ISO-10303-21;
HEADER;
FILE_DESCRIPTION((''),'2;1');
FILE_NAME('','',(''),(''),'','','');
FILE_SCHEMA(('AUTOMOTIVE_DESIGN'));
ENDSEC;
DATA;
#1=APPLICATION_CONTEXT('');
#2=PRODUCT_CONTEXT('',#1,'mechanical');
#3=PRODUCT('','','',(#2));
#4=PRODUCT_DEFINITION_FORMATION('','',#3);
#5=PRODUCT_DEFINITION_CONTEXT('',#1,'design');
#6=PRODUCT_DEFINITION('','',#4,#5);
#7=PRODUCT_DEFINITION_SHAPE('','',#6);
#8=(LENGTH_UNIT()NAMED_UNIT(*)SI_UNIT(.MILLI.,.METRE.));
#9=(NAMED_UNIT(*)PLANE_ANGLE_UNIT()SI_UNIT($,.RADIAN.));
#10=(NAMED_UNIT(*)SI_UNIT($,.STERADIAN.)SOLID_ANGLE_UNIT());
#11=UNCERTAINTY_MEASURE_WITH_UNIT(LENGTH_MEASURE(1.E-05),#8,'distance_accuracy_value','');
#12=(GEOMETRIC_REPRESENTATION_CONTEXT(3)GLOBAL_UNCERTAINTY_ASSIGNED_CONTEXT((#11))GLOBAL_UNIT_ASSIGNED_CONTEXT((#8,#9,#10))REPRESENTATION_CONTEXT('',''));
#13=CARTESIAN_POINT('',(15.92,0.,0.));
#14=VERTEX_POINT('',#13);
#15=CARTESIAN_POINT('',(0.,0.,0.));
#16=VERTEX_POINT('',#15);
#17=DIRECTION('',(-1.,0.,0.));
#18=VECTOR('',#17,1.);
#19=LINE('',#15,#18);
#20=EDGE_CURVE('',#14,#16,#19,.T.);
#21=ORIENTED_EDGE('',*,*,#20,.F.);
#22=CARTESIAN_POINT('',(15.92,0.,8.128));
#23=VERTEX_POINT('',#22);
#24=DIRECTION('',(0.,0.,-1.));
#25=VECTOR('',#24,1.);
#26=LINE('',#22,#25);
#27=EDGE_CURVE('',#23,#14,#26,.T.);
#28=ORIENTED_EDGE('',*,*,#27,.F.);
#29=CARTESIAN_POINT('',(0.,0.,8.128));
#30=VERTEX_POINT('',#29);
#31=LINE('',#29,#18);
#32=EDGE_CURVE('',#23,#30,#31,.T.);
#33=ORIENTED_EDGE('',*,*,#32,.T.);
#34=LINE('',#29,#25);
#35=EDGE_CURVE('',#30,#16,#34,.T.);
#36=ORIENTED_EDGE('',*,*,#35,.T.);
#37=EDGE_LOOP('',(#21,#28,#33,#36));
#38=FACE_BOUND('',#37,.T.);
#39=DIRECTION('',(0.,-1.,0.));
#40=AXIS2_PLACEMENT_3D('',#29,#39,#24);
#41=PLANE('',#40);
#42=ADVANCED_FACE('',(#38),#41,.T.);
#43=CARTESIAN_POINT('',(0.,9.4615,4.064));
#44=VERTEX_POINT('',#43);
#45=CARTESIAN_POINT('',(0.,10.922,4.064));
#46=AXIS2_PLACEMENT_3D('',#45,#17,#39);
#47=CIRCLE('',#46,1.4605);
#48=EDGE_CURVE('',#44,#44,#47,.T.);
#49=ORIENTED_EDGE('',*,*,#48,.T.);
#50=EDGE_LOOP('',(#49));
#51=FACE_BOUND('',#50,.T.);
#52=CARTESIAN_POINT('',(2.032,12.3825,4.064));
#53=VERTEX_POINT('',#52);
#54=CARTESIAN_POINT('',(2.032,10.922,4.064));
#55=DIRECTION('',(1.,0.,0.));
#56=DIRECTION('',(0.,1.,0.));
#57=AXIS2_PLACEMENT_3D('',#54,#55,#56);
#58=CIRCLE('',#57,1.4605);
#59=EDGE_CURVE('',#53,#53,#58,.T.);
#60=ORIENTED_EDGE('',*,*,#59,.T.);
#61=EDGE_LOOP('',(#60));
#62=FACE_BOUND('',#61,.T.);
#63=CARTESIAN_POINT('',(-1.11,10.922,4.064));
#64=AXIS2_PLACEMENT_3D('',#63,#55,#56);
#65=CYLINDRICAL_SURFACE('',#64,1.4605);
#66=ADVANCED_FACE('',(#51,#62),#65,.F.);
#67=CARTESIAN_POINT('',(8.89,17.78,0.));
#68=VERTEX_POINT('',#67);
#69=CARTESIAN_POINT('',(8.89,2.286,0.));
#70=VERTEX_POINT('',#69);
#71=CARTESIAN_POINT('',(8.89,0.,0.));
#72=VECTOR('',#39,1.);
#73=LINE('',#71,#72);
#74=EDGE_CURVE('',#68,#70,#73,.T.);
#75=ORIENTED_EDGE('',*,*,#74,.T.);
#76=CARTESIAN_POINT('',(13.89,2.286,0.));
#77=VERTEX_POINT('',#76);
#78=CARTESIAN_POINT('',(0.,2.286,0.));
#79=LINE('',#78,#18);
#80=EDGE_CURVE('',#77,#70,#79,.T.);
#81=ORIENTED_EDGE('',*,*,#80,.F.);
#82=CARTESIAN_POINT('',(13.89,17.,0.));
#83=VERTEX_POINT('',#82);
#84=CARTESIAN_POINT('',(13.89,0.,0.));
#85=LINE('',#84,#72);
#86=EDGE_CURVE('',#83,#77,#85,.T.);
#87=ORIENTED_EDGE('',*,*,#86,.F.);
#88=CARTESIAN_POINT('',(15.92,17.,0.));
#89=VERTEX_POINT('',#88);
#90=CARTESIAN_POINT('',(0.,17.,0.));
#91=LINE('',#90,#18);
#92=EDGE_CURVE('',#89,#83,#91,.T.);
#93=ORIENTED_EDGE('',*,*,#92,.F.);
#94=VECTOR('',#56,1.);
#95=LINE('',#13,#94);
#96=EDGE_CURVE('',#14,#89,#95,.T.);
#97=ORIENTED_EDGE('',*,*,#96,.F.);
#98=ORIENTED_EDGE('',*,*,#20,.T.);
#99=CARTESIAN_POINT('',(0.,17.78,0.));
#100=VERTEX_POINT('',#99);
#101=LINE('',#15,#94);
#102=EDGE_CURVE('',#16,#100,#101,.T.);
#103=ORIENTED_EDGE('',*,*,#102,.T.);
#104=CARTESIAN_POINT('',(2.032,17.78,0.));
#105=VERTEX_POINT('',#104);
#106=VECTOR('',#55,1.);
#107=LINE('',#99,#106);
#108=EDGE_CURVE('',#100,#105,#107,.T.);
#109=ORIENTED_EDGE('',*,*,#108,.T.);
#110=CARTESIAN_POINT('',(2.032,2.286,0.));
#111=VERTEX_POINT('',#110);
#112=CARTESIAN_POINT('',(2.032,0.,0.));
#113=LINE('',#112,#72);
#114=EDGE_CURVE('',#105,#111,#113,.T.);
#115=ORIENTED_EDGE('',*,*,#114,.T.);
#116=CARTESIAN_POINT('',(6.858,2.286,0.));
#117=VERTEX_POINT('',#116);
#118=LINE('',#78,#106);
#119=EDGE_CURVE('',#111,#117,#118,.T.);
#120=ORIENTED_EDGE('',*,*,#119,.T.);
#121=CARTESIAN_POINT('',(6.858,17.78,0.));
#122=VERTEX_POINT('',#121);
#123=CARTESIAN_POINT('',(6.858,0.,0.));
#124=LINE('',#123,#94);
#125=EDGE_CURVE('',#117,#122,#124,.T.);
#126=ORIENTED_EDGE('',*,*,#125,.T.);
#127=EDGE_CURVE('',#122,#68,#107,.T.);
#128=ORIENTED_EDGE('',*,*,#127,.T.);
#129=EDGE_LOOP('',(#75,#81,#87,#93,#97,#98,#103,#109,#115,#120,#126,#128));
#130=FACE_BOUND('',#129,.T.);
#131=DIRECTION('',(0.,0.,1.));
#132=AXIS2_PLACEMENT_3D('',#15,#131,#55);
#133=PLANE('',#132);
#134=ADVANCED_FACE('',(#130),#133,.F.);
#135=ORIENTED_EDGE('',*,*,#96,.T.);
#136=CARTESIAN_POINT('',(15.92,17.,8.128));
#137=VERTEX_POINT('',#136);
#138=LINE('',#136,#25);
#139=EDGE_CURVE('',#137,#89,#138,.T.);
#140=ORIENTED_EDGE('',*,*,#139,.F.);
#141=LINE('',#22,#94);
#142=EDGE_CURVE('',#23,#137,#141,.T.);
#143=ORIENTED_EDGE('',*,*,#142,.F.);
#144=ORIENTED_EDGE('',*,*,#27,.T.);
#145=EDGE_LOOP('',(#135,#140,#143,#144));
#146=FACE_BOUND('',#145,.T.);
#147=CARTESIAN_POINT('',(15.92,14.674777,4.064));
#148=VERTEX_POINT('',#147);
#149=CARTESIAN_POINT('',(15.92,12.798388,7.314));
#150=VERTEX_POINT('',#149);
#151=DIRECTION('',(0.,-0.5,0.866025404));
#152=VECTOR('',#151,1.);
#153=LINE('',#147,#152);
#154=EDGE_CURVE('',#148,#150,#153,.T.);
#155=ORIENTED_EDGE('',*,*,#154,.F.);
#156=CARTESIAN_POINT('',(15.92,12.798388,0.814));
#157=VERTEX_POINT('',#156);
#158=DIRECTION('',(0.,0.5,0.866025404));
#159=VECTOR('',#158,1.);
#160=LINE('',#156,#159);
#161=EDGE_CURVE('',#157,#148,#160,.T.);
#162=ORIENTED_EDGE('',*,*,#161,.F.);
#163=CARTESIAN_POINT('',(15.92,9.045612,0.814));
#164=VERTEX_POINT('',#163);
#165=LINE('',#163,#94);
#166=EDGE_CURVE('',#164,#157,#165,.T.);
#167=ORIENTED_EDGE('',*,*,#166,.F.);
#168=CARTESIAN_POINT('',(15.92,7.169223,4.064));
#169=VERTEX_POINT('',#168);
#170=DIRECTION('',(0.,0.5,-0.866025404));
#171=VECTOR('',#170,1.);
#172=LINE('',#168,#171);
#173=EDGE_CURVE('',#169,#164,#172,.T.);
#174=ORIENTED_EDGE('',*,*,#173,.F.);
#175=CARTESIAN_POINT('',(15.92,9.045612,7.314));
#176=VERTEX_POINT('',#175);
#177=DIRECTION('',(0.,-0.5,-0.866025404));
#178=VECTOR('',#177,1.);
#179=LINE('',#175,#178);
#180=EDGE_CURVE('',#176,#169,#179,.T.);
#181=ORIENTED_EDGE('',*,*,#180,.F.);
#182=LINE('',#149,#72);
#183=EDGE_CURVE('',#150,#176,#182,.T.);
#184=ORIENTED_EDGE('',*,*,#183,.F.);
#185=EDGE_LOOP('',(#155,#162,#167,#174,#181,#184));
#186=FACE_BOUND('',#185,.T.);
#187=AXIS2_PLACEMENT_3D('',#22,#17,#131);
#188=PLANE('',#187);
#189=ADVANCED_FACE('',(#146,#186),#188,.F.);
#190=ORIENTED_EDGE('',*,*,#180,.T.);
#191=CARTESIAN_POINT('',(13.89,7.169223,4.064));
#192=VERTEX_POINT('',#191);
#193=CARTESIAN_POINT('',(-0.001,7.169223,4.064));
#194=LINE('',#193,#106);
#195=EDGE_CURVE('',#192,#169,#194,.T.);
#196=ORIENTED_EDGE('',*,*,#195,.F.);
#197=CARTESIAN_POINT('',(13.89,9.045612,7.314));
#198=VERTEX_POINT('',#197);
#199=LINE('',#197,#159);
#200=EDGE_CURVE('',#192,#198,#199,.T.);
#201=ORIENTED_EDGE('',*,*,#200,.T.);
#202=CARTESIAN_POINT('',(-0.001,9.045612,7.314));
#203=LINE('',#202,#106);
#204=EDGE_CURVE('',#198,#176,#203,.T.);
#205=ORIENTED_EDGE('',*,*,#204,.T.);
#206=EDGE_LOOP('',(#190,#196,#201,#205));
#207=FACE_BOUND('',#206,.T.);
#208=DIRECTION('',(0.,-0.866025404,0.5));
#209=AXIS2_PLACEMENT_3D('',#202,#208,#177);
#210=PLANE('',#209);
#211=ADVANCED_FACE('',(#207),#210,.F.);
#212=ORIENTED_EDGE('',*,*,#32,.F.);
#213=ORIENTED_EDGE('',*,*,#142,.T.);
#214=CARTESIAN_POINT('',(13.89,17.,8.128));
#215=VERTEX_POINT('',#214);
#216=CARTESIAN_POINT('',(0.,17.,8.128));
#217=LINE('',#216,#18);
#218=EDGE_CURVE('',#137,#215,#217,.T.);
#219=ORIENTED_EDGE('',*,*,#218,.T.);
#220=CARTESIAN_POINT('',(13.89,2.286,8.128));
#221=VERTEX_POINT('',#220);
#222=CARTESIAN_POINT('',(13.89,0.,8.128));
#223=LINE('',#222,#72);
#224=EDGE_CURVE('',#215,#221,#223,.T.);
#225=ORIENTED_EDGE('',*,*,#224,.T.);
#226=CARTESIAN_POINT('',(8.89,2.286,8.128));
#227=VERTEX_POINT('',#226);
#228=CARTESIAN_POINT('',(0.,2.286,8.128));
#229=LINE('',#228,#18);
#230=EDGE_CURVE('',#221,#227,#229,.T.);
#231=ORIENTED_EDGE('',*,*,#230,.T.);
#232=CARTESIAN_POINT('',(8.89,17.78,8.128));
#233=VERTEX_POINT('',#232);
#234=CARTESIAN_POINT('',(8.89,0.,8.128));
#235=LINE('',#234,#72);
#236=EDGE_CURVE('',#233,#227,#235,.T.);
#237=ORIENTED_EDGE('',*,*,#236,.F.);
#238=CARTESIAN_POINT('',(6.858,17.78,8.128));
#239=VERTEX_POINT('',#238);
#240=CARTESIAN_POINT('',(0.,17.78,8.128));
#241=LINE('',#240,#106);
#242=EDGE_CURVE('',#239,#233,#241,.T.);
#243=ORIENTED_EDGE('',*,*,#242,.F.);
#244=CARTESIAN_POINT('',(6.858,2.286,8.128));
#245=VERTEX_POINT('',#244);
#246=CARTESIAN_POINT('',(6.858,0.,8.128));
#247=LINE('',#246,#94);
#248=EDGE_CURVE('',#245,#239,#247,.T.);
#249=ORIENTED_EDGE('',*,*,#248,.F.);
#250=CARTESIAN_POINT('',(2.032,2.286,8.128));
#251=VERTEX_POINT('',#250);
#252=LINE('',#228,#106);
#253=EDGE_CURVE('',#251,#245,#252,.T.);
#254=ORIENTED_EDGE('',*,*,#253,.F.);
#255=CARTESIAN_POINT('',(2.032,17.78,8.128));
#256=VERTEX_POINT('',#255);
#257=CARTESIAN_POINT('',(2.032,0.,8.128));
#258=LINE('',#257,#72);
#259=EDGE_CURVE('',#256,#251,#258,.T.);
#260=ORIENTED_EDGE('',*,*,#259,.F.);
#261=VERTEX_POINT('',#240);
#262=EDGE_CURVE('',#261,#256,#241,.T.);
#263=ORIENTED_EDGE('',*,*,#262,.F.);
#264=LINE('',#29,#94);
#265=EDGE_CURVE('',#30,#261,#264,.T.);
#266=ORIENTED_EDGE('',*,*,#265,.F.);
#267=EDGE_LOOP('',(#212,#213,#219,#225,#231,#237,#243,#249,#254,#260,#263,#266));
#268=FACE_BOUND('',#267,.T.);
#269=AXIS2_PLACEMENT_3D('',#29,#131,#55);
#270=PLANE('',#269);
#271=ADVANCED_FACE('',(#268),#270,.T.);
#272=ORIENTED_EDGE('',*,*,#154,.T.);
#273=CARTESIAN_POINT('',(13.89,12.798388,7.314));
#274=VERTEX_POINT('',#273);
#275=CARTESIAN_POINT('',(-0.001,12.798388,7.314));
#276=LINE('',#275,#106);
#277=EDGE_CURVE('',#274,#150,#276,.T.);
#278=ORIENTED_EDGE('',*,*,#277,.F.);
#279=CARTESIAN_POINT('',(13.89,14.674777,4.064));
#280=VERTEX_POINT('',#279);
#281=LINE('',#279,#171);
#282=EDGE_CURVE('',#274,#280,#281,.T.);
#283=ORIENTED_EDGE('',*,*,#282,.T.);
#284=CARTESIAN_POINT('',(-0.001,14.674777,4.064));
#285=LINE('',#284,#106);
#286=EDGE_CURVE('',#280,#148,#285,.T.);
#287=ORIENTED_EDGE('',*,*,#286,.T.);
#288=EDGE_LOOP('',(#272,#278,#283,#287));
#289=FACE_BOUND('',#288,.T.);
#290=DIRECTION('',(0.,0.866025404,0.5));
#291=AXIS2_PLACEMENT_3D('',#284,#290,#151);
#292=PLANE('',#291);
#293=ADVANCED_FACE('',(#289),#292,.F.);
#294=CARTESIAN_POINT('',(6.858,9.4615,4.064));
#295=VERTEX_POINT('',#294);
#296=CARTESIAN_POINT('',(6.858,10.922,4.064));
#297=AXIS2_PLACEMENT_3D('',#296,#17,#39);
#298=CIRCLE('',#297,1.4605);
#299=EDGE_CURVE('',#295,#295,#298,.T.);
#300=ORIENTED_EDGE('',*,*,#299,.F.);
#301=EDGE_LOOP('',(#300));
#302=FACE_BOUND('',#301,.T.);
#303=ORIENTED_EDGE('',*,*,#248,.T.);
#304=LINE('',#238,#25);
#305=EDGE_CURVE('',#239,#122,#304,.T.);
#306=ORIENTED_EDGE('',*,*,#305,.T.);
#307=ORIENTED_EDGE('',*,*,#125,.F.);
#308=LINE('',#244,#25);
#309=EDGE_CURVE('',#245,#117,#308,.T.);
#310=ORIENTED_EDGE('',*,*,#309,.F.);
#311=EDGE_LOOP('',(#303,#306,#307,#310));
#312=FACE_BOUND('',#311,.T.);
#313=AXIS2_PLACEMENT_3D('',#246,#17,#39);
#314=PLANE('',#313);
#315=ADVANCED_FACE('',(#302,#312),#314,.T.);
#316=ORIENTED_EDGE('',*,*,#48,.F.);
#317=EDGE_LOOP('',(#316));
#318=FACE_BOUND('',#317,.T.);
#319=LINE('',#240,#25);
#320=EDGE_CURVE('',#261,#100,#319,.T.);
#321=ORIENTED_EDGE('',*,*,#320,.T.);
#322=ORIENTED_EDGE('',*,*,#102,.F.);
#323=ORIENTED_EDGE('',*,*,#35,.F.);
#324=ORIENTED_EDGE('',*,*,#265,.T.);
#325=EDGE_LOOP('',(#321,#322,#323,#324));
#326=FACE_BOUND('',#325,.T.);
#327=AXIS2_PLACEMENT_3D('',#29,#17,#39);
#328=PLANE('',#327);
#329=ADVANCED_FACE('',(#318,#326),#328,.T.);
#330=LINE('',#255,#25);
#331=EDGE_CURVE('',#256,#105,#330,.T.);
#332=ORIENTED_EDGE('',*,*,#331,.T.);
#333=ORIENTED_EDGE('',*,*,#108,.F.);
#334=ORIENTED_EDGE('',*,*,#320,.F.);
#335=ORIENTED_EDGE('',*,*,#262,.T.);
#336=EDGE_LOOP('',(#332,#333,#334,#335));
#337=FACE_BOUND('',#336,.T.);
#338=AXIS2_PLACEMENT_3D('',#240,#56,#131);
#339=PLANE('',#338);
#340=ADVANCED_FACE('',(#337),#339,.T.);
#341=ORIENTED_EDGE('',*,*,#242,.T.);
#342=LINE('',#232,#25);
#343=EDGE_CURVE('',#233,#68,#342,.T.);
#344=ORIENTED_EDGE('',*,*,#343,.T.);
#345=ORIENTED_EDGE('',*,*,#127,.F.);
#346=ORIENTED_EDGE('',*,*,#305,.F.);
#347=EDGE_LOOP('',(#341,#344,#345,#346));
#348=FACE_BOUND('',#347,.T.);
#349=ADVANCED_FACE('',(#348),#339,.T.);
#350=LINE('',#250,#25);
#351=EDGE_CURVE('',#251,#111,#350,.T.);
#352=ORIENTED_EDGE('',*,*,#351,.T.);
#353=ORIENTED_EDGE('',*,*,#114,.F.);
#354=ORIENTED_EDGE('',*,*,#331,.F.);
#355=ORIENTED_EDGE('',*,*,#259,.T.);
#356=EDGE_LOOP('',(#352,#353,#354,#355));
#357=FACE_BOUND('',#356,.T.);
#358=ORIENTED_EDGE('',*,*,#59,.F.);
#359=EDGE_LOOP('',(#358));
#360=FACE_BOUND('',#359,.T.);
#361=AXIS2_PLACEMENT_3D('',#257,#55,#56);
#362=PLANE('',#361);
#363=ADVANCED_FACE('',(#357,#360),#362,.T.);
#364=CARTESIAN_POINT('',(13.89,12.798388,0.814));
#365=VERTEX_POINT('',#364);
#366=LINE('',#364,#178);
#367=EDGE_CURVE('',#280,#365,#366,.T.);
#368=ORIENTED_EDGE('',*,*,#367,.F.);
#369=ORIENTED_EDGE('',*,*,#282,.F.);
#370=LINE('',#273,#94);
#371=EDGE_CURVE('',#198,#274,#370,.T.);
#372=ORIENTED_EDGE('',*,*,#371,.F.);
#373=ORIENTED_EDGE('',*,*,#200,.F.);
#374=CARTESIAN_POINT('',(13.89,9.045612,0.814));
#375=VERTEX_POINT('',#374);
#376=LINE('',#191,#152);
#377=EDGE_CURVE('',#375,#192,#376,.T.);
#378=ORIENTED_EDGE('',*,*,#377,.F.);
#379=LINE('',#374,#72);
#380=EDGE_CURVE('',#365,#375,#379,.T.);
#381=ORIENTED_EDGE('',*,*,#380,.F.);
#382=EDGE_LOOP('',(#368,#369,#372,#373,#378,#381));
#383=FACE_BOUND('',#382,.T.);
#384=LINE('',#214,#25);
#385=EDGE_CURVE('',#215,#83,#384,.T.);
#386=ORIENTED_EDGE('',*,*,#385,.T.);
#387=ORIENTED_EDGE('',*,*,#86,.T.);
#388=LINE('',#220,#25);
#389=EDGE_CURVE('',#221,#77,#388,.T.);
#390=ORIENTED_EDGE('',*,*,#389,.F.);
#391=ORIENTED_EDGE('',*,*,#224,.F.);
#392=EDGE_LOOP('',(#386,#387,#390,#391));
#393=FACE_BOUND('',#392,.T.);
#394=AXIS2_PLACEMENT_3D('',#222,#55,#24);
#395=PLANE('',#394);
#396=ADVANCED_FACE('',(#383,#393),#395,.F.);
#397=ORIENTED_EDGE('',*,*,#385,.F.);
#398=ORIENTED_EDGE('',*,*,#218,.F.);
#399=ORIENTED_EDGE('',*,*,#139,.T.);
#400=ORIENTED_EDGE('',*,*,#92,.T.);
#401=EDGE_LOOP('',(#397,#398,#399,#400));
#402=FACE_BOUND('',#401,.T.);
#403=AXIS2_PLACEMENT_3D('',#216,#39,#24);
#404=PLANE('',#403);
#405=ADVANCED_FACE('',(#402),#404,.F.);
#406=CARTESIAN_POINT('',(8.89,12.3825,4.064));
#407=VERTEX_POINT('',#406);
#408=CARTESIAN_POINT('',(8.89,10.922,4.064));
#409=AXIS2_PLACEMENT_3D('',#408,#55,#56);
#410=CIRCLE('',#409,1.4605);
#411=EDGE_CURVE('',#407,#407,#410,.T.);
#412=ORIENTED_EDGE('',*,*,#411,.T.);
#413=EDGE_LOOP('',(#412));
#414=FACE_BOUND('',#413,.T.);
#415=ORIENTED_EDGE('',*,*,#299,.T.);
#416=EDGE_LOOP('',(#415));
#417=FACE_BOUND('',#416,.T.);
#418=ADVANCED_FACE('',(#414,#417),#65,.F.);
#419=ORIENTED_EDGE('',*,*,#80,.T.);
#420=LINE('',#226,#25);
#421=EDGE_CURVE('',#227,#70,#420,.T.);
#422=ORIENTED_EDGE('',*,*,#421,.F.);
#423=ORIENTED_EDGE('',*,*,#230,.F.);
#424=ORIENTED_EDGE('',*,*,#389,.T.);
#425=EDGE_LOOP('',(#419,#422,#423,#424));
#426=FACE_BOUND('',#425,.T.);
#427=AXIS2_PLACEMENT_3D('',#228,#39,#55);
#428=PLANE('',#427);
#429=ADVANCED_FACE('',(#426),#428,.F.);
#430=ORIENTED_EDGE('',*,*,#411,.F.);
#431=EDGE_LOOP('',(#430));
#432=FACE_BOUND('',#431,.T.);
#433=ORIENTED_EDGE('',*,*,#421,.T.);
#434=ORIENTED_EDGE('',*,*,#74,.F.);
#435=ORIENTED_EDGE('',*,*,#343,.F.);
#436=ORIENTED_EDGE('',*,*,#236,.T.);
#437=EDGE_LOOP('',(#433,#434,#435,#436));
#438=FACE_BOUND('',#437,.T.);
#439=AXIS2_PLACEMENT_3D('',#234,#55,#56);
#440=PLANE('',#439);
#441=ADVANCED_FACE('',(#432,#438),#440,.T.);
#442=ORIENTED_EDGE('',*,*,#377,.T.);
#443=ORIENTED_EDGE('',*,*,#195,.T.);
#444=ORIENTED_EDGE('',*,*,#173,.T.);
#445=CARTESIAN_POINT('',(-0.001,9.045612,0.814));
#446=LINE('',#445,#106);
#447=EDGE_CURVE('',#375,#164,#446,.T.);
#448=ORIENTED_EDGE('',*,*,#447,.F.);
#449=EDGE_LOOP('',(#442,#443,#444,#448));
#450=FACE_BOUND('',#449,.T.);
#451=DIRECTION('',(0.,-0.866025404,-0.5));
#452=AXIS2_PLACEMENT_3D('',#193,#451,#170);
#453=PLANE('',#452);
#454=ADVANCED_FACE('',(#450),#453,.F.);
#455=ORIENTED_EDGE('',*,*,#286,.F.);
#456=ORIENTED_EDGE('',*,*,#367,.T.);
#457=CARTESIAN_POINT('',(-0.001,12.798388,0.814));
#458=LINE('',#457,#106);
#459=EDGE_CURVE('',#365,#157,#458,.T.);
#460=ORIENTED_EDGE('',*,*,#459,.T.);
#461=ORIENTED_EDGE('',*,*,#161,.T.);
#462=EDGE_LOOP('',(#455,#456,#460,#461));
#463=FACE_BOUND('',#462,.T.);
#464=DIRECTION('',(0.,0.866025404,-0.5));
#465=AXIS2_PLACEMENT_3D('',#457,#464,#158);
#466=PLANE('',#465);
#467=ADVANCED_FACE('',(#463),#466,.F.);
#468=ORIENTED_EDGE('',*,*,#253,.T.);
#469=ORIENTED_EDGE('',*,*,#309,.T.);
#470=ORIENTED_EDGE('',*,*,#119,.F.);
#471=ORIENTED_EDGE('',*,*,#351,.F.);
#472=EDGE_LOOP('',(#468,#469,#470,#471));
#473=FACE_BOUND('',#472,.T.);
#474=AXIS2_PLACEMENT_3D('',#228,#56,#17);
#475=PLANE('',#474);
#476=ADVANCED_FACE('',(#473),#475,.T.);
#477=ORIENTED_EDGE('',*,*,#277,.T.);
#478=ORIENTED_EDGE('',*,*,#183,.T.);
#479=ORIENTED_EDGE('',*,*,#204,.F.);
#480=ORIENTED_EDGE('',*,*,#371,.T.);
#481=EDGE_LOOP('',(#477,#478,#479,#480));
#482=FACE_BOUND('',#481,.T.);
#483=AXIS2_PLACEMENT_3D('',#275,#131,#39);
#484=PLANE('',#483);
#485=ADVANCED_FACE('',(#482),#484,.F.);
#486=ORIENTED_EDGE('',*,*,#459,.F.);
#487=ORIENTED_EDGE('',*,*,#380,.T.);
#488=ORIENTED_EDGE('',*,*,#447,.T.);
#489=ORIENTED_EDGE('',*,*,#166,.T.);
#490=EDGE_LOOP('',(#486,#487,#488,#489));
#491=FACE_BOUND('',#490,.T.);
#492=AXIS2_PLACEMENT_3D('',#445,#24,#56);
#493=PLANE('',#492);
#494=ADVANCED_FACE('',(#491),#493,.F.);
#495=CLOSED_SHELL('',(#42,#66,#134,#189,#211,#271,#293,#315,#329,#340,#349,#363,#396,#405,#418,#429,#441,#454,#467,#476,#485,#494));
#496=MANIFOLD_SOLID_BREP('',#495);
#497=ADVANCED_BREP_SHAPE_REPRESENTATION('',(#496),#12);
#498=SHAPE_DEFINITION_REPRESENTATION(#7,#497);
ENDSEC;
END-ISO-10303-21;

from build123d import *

# Parameters (mm, degrees)
EXTRUSION1_DEPTH   = 8.128
SKETCH2_R          = 1.4605
CUT_EXTRUDE2_DEPTH = 10
CUT_EXTRUDE3_REACH = 27.212


with BuildPart() as part:
    # Sketch1 → Extrusion1 (new body)
    with BuildSketch(Plane.XY):
        Polygon((0, 17.78), (2.032, 17.78), (2.032, 2.286), (6.858, 2.286), (6.858, 17.78), (8.89, 17.78), (8.89, 0), (0, 0), (0, 2.154296207), align=None)
        Polygon((8.89, 2.286), (8.89, 0), (15.24, 0), (15.92, 0), (15.92, 17), (13.89, 17), (13.89, 2.286), align=None)
    extrude(amount=EXTRUSION1_DEPTH)

    # Sketch2 → Cut-Extrude2 (cut)
    with BuildSketch(Plane(origin=(8.89, 0, 0), x_dir=(0, 0, -1), z_dir=(1, 0, 0))):
        with Locations(Location((-4.064, 10.922, 0), (0, 0, 90))):
            Circle(SKETCH2_R)
    extrude(amount=-CUT_EXTRUDE2_DEPTH, mode=Mode.SUBTRACT)

    # Sketch4 → Cut-Extrude3 (cut, up to next)
    with BuildSketch(Plane(origin=(15.92, 0, 0), x_dir=(0, 0, -1), z_dir=(1, 0, 0)), mode=Mode.PRIVATE) as cut_extrude3_sk1:
        Polygon((-4.064, 14.67477675), (-7.314, 12.798388375), (-7.314, 9.045611625), (-4.064, 7.16922325), (-0.814, 9.045611625), (-0.814, 12.798388375), align=None)
    cut_extrude3_tool1 = extrude(cut_extrude3_sk1.sketch, amount=-CUT_EXTRUDE3_REACH, mode=Mode.PRIVATE) & part.part
    add(cut_extrude3_tool1.solids().sort_by_distance((15.92, 10.922, 4.064))[0], mode=Mode.SUBTRACT)


solid = part.part
